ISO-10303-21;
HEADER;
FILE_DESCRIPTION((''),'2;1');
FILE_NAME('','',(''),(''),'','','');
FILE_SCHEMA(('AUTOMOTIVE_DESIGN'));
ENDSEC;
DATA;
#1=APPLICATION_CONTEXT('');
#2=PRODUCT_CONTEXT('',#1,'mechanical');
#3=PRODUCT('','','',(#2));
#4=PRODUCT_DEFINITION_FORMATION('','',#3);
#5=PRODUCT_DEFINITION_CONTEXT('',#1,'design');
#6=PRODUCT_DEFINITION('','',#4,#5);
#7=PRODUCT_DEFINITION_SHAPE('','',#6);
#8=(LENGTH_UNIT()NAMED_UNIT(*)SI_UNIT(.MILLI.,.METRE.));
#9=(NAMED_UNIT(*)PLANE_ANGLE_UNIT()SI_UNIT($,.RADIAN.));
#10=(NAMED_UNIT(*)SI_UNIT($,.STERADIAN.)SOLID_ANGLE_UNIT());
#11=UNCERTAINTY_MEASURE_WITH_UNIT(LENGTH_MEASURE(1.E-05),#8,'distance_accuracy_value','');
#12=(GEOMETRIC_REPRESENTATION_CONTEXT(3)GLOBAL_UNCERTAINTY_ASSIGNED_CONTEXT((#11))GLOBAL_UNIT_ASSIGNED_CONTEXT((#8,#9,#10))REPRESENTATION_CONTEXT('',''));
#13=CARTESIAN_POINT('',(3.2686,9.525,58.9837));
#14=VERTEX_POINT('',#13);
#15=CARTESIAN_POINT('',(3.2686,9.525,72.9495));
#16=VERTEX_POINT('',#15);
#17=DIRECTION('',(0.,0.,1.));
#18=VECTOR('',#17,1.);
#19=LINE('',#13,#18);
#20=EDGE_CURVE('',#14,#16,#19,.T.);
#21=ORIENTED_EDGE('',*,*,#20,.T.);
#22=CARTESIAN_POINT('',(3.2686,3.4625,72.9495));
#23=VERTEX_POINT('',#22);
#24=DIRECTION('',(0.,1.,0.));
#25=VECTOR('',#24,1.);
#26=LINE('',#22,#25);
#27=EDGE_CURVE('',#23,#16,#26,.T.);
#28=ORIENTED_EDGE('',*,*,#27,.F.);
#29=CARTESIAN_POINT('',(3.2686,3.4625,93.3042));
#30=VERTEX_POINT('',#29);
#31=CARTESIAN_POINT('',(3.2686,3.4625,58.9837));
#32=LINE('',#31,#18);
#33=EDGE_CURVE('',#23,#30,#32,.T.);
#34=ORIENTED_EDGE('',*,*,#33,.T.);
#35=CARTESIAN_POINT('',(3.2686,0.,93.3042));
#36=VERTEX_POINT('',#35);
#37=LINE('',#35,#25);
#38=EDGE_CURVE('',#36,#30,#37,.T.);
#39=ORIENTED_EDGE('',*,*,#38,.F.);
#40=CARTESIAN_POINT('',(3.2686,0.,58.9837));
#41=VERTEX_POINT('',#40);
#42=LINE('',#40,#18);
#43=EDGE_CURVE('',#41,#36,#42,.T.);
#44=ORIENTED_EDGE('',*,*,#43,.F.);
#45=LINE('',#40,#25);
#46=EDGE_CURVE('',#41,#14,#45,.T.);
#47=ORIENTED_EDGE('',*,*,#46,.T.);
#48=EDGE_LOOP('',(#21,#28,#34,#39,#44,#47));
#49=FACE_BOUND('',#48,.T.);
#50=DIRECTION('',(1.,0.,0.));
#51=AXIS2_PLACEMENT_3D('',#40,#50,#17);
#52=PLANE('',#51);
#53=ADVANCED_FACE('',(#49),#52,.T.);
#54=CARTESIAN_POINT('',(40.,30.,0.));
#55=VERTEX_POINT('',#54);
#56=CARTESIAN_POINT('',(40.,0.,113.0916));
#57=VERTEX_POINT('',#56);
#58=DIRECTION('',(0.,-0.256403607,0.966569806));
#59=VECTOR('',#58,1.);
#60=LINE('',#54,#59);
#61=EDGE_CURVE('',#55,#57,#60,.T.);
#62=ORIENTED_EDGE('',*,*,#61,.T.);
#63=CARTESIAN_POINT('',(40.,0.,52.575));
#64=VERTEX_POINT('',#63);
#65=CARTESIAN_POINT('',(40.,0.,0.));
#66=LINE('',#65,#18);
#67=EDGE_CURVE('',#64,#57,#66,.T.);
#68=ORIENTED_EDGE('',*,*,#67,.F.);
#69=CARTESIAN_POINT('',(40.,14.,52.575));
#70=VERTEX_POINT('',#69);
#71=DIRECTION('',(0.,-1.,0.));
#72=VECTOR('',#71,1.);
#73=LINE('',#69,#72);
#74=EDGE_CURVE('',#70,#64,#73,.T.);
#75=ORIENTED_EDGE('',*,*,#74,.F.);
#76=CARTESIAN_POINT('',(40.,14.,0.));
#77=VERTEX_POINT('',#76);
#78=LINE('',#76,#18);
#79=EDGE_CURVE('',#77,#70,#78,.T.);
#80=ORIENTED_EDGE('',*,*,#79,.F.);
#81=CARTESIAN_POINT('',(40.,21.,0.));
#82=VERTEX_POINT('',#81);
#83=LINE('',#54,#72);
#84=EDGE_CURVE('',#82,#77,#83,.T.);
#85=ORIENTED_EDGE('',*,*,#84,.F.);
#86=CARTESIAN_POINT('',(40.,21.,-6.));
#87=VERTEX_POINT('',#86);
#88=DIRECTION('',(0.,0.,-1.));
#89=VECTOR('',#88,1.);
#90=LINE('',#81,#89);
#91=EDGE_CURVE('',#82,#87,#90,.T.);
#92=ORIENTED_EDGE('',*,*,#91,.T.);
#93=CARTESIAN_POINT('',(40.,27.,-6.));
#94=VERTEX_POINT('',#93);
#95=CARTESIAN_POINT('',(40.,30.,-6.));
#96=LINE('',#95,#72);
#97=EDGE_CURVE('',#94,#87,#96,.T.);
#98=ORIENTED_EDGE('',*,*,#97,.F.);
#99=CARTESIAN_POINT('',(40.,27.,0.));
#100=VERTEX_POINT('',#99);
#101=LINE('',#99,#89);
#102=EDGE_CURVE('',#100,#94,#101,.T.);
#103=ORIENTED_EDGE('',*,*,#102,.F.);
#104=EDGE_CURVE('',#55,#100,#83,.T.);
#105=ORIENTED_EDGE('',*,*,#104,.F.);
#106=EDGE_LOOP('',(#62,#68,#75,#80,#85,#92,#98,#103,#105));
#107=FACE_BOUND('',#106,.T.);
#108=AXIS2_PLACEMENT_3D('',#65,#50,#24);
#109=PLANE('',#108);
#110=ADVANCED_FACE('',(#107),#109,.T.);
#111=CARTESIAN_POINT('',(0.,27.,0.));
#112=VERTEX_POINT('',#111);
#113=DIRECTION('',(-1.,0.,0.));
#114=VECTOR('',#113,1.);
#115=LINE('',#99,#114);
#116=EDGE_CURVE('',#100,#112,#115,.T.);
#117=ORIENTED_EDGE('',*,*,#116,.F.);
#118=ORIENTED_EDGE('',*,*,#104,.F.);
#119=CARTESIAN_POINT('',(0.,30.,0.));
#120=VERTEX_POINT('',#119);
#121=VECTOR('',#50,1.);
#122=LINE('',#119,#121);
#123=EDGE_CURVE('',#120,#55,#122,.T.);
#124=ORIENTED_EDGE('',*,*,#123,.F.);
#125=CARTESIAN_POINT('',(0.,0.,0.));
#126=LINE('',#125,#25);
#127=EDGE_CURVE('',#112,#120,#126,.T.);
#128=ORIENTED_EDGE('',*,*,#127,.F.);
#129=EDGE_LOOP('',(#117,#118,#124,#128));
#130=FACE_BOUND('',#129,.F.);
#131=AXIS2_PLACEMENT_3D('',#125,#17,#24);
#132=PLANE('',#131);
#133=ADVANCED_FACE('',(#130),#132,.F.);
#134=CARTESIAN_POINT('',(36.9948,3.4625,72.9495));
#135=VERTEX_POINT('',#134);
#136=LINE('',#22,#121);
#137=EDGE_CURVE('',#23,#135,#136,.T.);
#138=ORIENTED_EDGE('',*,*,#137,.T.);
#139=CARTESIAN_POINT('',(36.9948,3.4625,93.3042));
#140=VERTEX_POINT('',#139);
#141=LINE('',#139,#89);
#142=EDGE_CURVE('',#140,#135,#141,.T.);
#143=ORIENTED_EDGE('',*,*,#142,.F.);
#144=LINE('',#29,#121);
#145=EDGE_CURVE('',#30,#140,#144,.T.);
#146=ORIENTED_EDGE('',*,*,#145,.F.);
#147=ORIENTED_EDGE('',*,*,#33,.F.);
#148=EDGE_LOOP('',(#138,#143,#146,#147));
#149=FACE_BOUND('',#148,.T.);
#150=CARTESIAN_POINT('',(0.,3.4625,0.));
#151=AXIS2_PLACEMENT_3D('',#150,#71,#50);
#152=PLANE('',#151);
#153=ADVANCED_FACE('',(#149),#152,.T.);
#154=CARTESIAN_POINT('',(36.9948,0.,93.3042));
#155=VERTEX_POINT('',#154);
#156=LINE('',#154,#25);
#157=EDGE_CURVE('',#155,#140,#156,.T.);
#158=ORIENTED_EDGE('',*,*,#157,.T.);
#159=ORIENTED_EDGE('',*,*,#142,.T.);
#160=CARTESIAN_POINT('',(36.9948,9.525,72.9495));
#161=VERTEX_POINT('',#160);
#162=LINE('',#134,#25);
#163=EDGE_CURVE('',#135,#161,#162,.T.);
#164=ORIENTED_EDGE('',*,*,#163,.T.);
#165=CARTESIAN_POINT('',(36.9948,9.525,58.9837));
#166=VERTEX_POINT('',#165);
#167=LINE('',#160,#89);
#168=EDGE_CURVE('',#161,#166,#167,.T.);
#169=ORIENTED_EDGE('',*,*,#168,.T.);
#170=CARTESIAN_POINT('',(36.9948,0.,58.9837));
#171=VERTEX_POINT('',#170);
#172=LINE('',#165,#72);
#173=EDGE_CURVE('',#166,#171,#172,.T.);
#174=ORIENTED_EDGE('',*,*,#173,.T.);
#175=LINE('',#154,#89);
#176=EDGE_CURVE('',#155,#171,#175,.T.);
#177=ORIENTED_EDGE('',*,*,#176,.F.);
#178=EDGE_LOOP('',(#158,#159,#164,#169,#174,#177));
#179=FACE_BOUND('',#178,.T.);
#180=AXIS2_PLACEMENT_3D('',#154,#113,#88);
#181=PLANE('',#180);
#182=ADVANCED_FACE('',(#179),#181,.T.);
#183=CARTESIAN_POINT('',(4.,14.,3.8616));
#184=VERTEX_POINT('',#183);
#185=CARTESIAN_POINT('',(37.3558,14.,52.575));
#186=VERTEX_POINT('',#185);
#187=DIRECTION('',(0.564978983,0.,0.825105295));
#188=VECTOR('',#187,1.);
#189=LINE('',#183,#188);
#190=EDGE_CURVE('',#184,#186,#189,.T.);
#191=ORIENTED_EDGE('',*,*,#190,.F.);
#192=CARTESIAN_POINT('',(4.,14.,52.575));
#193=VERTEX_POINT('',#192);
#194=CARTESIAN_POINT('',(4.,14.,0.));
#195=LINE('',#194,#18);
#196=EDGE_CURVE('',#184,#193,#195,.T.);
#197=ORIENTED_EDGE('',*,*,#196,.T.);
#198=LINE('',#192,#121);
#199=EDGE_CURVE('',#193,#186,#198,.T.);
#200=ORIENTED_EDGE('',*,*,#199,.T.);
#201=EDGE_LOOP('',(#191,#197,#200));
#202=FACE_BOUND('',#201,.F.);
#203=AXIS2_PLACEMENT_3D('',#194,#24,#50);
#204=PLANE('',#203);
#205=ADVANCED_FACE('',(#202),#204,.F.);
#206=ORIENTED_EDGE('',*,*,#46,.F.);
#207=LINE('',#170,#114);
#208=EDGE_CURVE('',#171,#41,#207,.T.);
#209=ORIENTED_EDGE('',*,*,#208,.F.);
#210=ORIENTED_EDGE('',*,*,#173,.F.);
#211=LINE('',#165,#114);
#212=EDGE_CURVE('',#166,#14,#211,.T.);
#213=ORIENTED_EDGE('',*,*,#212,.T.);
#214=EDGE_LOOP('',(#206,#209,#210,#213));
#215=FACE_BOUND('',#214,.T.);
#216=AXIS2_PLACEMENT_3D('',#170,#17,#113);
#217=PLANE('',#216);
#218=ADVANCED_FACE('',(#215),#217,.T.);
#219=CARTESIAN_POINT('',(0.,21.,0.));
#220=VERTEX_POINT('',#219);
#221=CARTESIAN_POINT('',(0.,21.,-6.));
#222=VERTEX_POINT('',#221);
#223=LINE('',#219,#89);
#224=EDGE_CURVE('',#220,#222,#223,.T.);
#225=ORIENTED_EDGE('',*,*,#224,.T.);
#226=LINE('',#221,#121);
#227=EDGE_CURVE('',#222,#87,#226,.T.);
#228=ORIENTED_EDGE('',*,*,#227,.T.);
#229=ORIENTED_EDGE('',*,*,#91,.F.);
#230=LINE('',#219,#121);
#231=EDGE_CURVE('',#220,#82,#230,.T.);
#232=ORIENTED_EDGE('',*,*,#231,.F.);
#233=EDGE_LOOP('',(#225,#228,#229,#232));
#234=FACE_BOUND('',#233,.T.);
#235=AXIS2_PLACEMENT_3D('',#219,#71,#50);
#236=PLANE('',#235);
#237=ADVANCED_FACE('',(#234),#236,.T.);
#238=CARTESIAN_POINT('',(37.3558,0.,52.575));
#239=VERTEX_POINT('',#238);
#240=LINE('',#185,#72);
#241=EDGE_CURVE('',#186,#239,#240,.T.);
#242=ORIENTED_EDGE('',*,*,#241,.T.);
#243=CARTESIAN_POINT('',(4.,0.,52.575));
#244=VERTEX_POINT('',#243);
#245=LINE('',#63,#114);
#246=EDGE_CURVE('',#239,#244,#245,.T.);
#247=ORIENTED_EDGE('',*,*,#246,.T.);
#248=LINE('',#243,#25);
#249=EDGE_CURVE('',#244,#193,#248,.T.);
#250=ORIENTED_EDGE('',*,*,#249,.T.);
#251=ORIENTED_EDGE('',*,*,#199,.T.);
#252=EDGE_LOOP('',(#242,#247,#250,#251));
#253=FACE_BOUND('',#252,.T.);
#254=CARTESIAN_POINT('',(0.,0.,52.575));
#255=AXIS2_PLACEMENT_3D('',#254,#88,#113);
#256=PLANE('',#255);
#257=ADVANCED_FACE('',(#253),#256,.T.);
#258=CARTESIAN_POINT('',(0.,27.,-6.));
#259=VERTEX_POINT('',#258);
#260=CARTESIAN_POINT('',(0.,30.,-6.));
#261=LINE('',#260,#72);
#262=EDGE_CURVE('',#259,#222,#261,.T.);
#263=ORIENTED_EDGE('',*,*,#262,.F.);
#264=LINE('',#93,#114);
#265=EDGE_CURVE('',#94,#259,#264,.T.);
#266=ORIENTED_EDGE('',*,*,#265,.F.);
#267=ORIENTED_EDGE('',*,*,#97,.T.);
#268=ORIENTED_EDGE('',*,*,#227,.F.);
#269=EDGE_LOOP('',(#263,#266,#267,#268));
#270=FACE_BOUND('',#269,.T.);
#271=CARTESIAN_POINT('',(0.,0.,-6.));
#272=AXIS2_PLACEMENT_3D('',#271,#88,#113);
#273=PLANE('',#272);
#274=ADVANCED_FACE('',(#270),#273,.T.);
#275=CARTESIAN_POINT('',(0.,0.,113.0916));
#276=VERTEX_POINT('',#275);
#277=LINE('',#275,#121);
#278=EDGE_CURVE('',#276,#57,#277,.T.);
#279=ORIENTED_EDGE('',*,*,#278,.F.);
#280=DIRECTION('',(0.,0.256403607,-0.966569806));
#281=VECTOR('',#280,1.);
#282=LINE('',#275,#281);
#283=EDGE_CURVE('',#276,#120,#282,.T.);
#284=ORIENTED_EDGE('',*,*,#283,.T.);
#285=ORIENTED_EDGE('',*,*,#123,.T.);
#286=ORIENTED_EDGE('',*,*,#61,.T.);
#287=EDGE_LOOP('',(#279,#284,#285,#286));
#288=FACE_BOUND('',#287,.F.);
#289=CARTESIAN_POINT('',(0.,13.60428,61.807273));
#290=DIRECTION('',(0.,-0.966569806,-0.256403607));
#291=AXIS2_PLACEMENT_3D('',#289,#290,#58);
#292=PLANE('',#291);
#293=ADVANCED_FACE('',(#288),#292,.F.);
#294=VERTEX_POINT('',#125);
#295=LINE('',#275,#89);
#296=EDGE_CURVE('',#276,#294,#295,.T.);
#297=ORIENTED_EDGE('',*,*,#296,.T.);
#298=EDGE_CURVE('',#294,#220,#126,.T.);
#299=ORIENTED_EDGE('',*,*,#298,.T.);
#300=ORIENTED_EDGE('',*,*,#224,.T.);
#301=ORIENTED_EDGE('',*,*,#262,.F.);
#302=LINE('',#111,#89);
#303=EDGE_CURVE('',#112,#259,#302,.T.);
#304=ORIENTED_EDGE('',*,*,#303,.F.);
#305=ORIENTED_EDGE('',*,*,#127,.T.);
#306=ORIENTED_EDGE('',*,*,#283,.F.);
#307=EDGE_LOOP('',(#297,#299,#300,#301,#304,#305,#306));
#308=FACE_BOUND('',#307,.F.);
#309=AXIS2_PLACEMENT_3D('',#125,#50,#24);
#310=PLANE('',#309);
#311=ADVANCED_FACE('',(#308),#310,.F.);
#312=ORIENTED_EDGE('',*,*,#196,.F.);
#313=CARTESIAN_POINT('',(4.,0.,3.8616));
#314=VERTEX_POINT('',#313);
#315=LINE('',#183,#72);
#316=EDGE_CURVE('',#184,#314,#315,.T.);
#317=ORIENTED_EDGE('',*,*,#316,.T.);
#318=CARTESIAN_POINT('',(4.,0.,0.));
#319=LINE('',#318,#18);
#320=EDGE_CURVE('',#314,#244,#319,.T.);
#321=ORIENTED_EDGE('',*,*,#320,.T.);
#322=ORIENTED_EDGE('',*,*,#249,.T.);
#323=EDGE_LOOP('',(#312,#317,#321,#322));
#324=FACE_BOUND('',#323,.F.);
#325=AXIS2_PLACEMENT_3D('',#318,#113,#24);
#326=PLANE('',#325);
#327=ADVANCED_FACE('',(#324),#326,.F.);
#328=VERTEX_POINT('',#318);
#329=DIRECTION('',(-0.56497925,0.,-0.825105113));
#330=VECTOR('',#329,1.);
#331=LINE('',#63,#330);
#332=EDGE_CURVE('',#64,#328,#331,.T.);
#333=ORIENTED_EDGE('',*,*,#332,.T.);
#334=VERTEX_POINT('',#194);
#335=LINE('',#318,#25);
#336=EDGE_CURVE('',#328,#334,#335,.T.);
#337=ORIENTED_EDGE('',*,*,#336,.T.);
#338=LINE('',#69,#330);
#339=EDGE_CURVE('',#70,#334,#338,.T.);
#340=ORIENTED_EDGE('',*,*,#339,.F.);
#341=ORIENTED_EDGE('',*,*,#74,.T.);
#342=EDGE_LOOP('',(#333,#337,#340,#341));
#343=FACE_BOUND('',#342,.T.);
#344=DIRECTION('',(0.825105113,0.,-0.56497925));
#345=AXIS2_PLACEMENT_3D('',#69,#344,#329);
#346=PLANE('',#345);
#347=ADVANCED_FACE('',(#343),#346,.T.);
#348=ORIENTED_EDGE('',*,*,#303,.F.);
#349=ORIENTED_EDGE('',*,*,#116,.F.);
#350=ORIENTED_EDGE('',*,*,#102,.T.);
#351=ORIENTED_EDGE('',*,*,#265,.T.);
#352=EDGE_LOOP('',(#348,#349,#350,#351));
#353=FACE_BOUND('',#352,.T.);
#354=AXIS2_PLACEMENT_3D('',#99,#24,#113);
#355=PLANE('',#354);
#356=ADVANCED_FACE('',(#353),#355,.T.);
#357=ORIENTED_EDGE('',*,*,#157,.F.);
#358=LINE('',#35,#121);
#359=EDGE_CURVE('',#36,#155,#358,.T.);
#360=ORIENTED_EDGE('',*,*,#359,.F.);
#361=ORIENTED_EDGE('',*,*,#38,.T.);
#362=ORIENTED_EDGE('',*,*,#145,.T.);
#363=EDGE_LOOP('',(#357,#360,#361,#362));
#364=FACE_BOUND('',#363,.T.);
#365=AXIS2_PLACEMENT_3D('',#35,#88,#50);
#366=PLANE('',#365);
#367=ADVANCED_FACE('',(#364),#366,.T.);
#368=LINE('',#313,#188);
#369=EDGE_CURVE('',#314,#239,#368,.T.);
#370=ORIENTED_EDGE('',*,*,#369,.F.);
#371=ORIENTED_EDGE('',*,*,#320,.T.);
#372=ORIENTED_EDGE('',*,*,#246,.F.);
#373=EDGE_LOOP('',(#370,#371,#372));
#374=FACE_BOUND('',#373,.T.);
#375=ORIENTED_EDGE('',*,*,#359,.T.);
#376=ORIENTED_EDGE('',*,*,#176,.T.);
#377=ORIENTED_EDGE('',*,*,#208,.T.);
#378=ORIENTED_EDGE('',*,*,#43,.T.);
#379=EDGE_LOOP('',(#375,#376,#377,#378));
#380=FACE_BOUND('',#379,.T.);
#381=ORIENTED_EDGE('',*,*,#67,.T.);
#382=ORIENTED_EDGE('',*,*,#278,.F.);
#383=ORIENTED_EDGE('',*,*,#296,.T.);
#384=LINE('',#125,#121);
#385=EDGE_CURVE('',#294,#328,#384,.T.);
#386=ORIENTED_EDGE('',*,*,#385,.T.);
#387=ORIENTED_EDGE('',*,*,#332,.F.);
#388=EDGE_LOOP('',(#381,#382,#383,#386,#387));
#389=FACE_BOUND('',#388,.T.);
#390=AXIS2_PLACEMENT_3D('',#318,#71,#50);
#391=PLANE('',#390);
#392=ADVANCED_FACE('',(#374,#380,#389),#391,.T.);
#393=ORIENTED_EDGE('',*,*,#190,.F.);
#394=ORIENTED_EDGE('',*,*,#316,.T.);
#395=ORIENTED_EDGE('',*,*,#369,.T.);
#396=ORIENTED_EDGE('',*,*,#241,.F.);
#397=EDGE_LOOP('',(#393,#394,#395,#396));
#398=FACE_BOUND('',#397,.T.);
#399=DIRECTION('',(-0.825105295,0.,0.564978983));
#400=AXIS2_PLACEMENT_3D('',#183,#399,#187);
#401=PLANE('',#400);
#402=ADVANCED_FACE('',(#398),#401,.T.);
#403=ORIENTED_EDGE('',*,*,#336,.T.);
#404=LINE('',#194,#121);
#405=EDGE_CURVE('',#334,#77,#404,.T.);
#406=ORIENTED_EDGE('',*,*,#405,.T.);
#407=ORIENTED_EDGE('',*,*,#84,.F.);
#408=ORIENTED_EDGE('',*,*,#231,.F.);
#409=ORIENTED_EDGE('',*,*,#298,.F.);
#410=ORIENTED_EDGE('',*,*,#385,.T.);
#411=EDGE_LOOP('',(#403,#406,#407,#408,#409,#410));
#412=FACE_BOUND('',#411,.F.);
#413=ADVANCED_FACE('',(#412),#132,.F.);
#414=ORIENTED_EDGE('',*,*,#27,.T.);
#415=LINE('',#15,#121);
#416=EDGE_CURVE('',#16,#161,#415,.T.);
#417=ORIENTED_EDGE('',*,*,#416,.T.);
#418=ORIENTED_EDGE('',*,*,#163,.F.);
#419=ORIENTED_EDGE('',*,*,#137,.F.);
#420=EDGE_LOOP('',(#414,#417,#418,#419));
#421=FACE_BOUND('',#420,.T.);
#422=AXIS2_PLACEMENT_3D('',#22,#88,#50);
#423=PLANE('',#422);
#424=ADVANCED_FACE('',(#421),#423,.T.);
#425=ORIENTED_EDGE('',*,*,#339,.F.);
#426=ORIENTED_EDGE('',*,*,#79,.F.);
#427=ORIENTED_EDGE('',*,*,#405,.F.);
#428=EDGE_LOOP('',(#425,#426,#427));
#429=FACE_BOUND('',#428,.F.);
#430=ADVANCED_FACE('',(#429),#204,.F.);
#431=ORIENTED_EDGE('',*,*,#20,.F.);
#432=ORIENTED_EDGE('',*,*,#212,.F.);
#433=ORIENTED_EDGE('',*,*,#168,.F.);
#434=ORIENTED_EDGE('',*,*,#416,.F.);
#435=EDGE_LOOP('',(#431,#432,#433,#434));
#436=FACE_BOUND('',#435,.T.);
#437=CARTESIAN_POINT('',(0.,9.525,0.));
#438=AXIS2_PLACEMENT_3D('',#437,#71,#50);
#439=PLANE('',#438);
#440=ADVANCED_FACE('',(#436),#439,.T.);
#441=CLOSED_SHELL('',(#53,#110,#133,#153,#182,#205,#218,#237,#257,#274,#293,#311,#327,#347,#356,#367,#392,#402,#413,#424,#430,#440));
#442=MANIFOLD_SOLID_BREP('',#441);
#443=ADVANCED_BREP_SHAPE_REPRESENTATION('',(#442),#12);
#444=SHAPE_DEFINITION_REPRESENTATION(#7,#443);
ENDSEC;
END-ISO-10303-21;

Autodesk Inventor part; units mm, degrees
ref_plane "YZ Plane" through (0, 0, 0) normal (1, 0, 0) x (0, 1, 0)
ref_plane "XZ Plane" through (0, 0, 0) normal (0, 1, 0) x (-1, 0, 0)
ref_plane "XY Plane" through (0, 0, 0) normal (0, 0, 1) x (1, 0, 0)
sketch "Sketch1" plane through (0, 0, 0) normal (1, 0, 0) x (0, 1, 0)
  line L0 (0, 0) -> (24, 0)
  line L1 (24, 0) -> (0, 89.5692)
  line L2 (0, 89.5692) -> (0, 0)
  line L3 (24, 0) -> (30, 0)
  line L4 (7.8518, 60.2659) -> (13.6473, 61.8188)
  line L5 (30, 0) -> (0, 113.0916)
  line L6 (0, 113.0916) -> (0, 89.5692)
  point P0 (0, 23.8051)
  point P1 (17.3305, 0)
  point P2 (0, 30.632)
  dimension "d0" = 24
  dimension "d1" = 75
  dimension "d2" = 6
  dimension "d3" = 6
  dimension "d4" = 90
extrude "Extrusion1" add sketch "Sketch1" along normal blind 40
sketch "Sketch5" plane through (0, 0, 0) normal (0, 0, -1) x (-1, 0, 0)
  line L0 (0, 0) -> (0, 30) projected
  line L1 (-40, 0) -> (-4, 0)
  line L2 (-4, 0) -> (-4, 14)
  line L3 (-4, 14) -> (-40, 14)
  line L4 (-40, 14) -> (-40, 0)
  point P0 (0, 18)
  dimension "d24" = 36
  dimension "d25" = 14
extrude "Extrusion2" cut sketch "Sketch5" against normal blind 52.575
sketch "Sketch7" plane through (4, 14, 0) normal (0, -1, 0) x (1, 0, 0)
  line L0 (0, 0) -> (0, 52.575) projected
  line L1 (36, 52.575) -> (0, 0)
  line L2 (0, 0) -> (0, 3.8616)
  line L3 (0, 3.8616) -> (33.3558, 52.575)
  line L4 (36, 52.575) -> (0, 52.575) projected
  line L5 (33.3558, 52.575) -> (36, 52.575)
  point P0 (-4, 0)
extrude "Extrusion4" add sketch "Sketch7" along normal blind 14 contours L0 L3 L4 L1
sketch "Sketch8" plane through (0, 0, 0) normal (0, -1, 0) x (1, 0, 0)
  line L0 (36.9948, 58.9837) -> (3.2686, 58.9837)
  line L1 (3.2686, 58.9837) -> (3.2686, 93.3042)
  line L2 (3.2686, 93.3042) -> (36.9948, 93.3042)
  line L3 (36.9948, 93.3042) -> (36.9948, 58.9837)
  point P0 (0, 0)
extrude "Extrusion5" cut sketch "Sketch8" against normal blind 3.4625
sketch "Sketch9" plane through (0, 3.4625, 0) normal (0, -1, 0) x (1, 0, 0)
  line L0 (36.9948, 58.9837) -> (3.2686, 58.9837) projected
  line L1 (3.2686, 58.9837) -> (3.2686, 93.3042) projected
  line L2 (36.9948, 58.9837) -> (3.2686, 58.9837)
  line L3 (3.2686, 58.9837) -> (3.2686, 72.9495)
  line L4 (3.2686, 72.9495) -> (36.9948, 72.9495)
  line L5 (36.9948, 72.9495) -> (36.9948, 58.9837)
  point P0 (0, 0)
extrude "Extrusion6" cut sketch "Sketch9" against normal blind 6.0625
sketch "Sketch10" plane through (0, 0, 0) normal (0, 0, -1) x (-1, 0, 0)
  line L0 (-40, 30) -> (-40, 0) projected
  line L1 (0, 30) -> (0, 0) projected
  line L2 (-40, 27) -> (0, 27)
  line L3 (0, 27) -> (0, 21)
  line L4 (0, 21) -> (-40, 21)
  line L5 (-40, 21) -> (-40, 27)
  line L6 (0, 30) -> (-40, 30) projected
  dimension "d35" = 6
  dimension "d36" = 3
extrude "Extrusion7" add sketch "Sketch10" along normal blind 6 contours L2 L1 L4 L0
properties part number "RAMP"
